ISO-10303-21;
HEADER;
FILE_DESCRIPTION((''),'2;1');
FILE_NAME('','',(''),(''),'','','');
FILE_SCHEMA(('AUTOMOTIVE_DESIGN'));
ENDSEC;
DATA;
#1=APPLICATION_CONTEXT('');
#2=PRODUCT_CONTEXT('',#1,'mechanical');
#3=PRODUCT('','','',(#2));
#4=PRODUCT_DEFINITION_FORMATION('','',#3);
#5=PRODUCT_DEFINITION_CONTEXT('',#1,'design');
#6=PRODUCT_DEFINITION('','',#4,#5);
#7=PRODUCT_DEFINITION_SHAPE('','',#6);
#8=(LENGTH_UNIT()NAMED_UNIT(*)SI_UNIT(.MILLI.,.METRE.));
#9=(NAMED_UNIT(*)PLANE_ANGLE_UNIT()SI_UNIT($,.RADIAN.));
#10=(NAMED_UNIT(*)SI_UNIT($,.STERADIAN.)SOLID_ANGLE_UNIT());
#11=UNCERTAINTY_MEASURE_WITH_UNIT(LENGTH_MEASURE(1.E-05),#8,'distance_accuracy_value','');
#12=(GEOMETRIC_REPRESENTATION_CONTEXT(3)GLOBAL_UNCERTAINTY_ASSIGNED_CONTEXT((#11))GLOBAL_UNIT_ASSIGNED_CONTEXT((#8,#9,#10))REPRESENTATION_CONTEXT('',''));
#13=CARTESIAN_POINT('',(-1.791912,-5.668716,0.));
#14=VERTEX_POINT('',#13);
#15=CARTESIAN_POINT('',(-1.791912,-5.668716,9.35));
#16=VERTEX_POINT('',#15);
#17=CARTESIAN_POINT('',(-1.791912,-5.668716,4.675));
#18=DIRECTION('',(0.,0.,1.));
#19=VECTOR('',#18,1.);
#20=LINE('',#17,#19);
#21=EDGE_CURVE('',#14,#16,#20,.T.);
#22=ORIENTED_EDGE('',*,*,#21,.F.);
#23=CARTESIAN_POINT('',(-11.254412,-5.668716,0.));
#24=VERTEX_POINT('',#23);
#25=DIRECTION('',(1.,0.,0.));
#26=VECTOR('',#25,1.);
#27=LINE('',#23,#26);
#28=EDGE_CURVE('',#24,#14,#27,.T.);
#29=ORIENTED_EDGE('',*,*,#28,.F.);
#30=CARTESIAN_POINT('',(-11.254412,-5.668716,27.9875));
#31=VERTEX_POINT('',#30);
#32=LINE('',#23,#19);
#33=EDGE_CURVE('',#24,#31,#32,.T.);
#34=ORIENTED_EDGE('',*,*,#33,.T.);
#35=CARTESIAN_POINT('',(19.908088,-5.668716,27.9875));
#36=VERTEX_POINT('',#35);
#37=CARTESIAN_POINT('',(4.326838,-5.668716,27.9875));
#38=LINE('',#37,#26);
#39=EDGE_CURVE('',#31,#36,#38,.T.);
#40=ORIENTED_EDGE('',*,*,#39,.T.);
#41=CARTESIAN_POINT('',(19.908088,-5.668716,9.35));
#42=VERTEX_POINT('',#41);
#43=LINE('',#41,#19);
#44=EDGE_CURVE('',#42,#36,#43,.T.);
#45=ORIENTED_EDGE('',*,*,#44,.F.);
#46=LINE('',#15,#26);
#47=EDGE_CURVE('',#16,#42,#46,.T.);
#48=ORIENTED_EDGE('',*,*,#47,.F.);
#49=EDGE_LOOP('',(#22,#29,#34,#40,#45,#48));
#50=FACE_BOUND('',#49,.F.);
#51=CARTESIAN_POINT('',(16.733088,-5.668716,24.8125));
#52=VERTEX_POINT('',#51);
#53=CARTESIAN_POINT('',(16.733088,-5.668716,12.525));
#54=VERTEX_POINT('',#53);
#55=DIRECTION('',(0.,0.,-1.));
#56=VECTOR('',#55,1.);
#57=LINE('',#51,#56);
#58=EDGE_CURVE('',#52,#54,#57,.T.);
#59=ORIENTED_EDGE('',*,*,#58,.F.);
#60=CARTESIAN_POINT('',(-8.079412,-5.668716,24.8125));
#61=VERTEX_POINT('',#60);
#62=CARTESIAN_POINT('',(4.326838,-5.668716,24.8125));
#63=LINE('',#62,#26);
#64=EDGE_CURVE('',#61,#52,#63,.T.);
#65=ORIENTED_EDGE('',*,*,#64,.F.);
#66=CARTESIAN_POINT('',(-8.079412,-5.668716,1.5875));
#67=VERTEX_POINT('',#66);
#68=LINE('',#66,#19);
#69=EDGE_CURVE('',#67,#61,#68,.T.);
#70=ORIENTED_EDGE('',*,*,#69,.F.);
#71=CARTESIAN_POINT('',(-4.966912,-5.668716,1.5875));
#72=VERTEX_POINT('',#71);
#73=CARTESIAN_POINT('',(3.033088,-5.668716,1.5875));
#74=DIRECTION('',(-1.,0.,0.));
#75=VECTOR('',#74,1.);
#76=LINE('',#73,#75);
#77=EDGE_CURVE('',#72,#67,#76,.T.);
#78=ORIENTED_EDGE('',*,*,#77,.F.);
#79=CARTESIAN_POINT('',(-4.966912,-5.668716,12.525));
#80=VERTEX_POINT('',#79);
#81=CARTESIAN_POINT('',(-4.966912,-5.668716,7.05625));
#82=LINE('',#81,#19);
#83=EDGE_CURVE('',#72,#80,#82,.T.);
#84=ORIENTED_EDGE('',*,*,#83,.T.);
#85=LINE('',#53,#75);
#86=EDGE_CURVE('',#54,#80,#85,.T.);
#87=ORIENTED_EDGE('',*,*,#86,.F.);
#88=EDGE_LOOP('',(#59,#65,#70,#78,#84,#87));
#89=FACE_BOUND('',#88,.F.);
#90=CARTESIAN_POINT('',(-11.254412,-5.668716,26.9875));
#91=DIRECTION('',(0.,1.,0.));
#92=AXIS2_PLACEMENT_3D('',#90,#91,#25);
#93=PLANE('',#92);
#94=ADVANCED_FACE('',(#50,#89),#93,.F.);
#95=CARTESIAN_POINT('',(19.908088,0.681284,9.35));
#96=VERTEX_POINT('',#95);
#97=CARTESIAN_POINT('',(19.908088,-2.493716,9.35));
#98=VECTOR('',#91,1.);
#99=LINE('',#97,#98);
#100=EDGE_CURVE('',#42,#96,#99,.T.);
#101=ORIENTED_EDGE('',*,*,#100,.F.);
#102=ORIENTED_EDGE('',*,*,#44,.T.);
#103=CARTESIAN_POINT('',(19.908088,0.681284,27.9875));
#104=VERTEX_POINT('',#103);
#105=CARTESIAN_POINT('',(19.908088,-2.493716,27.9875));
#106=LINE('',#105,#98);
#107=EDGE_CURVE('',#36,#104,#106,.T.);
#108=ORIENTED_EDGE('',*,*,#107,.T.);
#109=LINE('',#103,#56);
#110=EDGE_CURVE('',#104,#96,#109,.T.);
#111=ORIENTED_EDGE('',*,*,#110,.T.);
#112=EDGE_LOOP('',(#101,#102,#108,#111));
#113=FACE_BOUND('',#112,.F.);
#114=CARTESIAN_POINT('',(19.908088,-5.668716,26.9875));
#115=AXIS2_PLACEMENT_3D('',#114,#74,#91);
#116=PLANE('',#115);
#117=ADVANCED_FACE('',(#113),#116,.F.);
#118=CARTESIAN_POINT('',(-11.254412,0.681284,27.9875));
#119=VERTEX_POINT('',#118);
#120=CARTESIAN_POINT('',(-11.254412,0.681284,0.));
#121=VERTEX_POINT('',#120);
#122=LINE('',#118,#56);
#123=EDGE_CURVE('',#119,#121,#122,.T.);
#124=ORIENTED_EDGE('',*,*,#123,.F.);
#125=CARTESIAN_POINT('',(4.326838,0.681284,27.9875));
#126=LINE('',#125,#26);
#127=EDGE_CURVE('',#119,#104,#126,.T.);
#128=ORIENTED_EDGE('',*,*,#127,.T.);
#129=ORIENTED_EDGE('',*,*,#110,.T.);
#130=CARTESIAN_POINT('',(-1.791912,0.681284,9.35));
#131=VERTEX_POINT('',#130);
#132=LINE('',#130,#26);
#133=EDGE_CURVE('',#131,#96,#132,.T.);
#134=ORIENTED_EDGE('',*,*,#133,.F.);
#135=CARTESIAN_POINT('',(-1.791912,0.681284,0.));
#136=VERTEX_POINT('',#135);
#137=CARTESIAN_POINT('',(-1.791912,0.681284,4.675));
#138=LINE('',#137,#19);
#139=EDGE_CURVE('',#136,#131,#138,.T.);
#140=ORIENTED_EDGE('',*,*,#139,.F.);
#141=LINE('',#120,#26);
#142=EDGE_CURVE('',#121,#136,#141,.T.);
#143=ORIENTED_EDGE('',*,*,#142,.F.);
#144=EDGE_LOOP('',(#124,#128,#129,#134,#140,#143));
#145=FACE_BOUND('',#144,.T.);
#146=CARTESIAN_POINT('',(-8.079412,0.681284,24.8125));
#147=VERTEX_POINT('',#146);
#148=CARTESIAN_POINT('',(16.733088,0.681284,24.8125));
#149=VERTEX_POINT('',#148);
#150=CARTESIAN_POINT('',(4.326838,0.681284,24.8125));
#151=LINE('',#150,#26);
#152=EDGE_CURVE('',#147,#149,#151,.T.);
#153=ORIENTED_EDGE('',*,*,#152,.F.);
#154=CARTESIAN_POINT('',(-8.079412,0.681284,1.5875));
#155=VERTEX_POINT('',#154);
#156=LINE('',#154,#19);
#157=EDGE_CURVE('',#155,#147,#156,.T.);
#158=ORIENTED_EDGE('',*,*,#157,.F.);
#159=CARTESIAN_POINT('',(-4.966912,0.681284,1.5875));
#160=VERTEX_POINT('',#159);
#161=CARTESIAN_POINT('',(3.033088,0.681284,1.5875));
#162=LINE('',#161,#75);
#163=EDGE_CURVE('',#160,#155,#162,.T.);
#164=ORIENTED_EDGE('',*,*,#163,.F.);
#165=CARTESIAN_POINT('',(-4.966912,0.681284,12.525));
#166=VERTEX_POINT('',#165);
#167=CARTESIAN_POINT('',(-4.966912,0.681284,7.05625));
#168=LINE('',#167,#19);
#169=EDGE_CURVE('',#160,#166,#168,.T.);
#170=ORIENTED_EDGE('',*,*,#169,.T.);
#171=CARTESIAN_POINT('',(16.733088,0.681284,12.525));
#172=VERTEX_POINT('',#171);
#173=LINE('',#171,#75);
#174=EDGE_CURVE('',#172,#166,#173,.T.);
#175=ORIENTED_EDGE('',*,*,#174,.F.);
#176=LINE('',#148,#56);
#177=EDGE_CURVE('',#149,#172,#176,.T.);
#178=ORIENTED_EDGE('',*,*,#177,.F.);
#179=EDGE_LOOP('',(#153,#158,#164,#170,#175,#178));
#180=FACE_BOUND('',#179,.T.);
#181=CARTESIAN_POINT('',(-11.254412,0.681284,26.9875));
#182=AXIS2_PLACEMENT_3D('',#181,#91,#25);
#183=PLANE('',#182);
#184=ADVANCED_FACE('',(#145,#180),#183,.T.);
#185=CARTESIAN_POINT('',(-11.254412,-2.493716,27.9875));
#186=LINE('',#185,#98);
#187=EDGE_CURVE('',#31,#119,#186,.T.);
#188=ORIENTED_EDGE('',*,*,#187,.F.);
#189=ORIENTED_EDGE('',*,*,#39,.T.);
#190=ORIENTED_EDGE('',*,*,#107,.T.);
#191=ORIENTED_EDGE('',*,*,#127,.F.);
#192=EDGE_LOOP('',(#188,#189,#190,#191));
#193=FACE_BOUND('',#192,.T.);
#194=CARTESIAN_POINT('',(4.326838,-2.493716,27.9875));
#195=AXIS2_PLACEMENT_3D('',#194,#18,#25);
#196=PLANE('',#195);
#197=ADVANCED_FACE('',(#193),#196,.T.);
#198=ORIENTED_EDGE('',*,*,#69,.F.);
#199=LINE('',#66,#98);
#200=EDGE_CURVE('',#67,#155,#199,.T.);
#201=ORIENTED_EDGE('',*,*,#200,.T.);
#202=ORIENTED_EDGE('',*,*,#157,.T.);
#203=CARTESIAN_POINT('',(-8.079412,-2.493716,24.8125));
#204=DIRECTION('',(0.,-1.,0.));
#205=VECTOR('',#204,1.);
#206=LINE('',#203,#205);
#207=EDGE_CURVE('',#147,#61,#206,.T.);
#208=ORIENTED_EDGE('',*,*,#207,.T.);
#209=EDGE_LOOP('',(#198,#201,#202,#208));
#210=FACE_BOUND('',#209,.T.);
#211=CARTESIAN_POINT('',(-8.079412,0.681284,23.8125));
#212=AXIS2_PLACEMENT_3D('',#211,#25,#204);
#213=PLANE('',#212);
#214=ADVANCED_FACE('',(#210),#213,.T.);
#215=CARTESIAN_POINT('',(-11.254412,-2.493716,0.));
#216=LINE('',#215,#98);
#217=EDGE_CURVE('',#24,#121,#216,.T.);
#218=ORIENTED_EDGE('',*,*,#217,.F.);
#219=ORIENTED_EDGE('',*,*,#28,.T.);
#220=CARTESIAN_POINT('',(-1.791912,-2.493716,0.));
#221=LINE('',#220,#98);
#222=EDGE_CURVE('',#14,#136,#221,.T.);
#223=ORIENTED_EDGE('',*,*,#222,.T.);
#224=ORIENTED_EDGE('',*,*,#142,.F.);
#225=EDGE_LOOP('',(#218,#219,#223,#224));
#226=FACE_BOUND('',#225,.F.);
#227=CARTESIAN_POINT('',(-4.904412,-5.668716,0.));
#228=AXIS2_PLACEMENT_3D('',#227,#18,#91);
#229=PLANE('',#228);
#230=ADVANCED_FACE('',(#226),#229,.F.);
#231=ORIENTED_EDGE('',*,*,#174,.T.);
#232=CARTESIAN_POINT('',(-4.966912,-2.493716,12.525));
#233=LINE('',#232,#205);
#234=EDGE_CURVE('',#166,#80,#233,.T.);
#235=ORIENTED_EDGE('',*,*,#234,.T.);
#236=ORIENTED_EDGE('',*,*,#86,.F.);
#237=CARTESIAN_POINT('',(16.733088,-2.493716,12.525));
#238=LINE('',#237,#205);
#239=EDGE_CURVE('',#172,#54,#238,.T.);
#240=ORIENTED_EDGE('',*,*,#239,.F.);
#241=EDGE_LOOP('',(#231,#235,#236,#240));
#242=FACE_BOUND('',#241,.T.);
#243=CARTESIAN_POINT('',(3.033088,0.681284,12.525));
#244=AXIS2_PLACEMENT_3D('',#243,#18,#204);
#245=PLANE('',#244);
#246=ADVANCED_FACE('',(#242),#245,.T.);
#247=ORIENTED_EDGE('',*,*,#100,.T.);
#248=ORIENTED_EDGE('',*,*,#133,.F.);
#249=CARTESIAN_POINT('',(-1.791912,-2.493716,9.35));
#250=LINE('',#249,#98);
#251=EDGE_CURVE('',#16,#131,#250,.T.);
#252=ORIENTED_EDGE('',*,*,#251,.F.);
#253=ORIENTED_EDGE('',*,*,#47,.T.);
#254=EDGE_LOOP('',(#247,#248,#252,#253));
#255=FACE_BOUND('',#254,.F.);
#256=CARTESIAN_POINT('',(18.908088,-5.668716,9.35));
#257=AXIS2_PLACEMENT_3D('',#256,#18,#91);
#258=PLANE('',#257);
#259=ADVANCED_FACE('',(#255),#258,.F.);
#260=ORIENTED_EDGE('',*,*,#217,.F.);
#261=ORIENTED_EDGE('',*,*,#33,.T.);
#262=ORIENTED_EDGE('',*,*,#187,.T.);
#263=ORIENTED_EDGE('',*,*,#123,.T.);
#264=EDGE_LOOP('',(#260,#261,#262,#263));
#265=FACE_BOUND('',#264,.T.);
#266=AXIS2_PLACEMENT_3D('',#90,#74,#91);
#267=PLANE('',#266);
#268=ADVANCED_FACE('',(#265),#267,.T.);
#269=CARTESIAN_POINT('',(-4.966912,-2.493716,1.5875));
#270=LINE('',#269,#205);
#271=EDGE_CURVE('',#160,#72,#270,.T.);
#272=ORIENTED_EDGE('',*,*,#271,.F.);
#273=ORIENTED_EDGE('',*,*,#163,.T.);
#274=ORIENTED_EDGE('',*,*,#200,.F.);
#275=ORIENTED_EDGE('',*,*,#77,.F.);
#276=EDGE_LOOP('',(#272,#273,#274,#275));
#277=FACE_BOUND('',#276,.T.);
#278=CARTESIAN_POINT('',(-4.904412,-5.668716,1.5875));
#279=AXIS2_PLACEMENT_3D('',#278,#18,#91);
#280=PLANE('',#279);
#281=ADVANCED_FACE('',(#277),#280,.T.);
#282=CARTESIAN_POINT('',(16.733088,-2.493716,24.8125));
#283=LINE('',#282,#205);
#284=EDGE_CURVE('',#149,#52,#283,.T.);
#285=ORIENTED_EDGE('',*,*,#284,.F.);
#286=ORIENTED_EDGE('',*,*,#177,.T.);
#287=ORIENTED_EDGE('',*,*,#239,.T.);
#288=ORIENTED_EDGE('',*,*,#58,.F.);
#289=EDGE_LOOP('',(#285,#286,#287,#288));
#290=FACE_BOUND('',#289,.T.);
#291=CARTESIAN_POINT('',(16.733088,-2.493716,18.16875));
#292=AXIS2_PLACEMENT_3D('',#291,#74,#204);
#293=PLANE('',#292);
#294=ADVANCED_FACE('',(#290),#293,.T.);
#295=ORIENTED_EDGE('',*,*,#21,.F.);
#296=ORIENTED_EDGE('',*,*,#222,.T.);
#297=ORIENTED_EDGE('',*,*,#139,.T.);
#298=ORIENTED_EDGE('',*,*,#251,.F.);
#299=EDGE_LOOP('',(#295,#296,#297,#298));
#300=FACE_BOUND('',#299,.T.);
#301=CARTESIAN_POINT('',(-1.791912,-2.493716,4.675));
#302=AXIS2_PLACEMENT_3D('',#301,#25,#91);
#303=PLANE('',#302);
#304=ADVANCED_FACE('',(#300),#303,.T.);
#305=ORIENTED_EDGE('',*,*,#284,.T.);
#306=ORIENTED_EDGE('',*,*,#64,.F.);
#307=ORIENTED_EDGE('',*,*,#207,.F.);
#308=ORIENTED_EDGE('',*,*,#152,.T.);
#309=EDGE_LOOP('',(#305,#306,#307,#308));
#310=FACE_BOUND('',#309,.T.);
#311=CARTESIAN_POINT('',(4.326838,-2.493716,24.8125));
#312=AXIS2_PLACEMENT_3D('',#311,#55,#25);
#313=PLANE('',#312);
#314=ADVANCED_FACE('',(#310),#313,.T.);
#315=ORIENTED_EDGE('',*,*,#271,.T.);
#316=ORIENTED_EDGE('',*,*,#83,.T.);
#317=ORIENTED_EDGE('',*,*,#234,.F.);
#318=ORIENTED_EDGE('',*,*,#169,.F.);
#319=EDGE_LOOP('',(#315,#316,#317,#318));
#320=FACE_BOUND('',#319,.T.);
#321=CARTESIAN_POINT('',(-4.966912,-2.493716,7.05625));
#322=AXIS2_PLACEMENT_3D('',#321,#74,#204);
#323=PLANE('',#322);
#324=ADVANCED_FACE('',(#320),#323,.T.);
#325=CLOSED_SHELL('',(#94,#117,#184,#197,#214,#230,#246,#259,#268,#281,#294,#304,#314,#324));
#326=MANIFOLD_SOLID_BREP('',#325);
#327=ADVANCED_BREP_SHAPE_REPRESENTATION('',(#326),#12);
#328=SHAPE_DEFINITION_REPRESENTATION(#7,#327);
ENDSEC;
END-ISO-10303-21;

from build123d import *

# Parameters (mm, degrees)
F0_W      = 30.1625
F0_H      = 6.35
F1_DEPTH  = 26.9875
F3_DEPTH  = 6.351
F4_W      = 12.7
F4_H      = 6.35
F5_DEPTH  = 6.351
F6_W      = 6.35
F6_H      = 1.5875
F7_DEPTH  = 7.9375
F8_W      = 12.7
F8_H      = 6.35
F9_DEPTH  = 3
F10_W     = 12.7
F10_H     = 6.35
F11_DEPTH = 3
F12_W     = 6.35
F12_H     = 10.9375
F13_DEPTH = 8
F14_W     = 6.35
F14_H     = 9.35
F15_DEPTH = 8
F16_W     = 6.35
F16_H     = 17.6375
F17_DEPTH = 1
F18_W     = 6.35
F18_H     = 11.2875
F19_DEPTH = 1
F20_W     = 24.8125
F20_H     = 6.35
F21_DEPTH = 1
F22_W     = 31.1625
F22_H     = 6.35
F23_DEPTH = 1


with BuildPart() as f1:
    # F0 (on Top) → F1 (new body)
    with BuildSketch(Plane.XY):
        with Locations((3.826838, -2.493716)):
            Rectangle(F0_W, F0_H)
    extrude(amount=F1_DEPTH)

    # F2 (on face) → F3 (cut, through all)
    with BuildSketch(Plane.XZ.offset(5.668716)):
        Polygon((15.733088, 9.525), (15.733088, 23.8125), (-8.079412, 23.8125), (-8.079412, 1.5875), (-4.904412, 1.5875), (-4.904412, 0), (3.033088, 0), (3.033088, 9.525), align=None)
    extrude(amount=-F3_DEPTH, mode=Mode.SUBTRACT)

    # F4 (on face) → F5 (cut, through all)
    with BuildSketch(Plane.XZ.offset(5.668716)):
        with Locations((12.558088, 3.175)):
            Rectangle(F4_W, F4_H)
    extrude(amount=-F5_DEPTH, mode=Mode.SUBTRACT)

    # F6 (on face) → F7 (join)
    with BuildSketch(Plane.YZ.offset(-4.904412)):
        with Locations((-2.493716, 0.79375)):
            Rectangle(F6_W, F6_H)
    extrude(amount=F7_DEPTH)

    # F8 (on face) → F9 (join)
    with BuildSketch(Plane.XY.offset(9.525)):
        with Locations((9.383088, -2.493716)):
            Rectangle(F8_W, F8_H)
    extrude(amount=F9_DEPTH)

    # F10 (on face) → F11 (cut)
    with BuildSketch(Plane(origin=(0, 0, 6.35), x_dir=(1, 0, 0), z_dir=(0, 0, -1))):
        with Locations((12.558088, 2.493716)):
            Rectangle(F10_W, F10_H)
    extrude(amount=-F11_DEPTH, mode=Mode.SUBTRACT)

    # F12 (on face) → F13 (join)
    with BuildSketch(Plane(origin=(3.033088, 0, 0), x_dir=(0, -1, 0), z_dir=(-1, 0, 0))):
        with Locations((2.493716, 7.05625)):
            Rectangle(F12_W, F12_H)
    extrude(amount=F13_DEPTH)

    # F14 (on face) → F15 (cut)
    with BuildSketch(Plane.YZ.offset(6.208088)):
        with Locations((-2.493716, 4.675)):
            Rectangle(F14_W, F14_H)
    extrude(amount=-F15_DEPTH, mode=Mode.SUBTRACT)

    # F16 (on face) → F17 (join)
    with BuildSketch(Plane.YZ.offset(18.908088)):
        with Locations((-2.493716, 18.16875)):
            Rectangle(F16_W, F16_H)
    extrude(amount=F17_DEPTH)

    # F18 (on face) → F19 (cut)
    with BuildSketch(Plane(origin=(15.733088, 0, 0), x_dir=(0, -1, 0), z_dir=(-1, 0, 0))):
        with Locations((2.493716, 18.16875)):
            Rectangle(F18_W, F18_H)
    extrude(amount=-F19_DEPTH, mode=Mode.SUBTRACT)

    # F20 (on face) → F21 (cut)
    with BuildSketch(Plane(origin=(0, 0, 23.8125), x_dir=(1, 0, 0), z_dir=(0, 0, -1))):
        with Locations((4.326838, 2.493716)):
            Rectangle(F20_W, F20_H)
    extrude(amount=-F21_DEPTH, mode=Mode.SUBTRACT)

    # F22 (on face) → F23 (join)
    with BuildSketch(Plane.XY.offset(26.9875)):
        with Locations((4.326838, -2.493716)):
            Rectangle(F22_W, F22_H)
    extrude(amount=F23_DEPTH)


solid = f1.part
